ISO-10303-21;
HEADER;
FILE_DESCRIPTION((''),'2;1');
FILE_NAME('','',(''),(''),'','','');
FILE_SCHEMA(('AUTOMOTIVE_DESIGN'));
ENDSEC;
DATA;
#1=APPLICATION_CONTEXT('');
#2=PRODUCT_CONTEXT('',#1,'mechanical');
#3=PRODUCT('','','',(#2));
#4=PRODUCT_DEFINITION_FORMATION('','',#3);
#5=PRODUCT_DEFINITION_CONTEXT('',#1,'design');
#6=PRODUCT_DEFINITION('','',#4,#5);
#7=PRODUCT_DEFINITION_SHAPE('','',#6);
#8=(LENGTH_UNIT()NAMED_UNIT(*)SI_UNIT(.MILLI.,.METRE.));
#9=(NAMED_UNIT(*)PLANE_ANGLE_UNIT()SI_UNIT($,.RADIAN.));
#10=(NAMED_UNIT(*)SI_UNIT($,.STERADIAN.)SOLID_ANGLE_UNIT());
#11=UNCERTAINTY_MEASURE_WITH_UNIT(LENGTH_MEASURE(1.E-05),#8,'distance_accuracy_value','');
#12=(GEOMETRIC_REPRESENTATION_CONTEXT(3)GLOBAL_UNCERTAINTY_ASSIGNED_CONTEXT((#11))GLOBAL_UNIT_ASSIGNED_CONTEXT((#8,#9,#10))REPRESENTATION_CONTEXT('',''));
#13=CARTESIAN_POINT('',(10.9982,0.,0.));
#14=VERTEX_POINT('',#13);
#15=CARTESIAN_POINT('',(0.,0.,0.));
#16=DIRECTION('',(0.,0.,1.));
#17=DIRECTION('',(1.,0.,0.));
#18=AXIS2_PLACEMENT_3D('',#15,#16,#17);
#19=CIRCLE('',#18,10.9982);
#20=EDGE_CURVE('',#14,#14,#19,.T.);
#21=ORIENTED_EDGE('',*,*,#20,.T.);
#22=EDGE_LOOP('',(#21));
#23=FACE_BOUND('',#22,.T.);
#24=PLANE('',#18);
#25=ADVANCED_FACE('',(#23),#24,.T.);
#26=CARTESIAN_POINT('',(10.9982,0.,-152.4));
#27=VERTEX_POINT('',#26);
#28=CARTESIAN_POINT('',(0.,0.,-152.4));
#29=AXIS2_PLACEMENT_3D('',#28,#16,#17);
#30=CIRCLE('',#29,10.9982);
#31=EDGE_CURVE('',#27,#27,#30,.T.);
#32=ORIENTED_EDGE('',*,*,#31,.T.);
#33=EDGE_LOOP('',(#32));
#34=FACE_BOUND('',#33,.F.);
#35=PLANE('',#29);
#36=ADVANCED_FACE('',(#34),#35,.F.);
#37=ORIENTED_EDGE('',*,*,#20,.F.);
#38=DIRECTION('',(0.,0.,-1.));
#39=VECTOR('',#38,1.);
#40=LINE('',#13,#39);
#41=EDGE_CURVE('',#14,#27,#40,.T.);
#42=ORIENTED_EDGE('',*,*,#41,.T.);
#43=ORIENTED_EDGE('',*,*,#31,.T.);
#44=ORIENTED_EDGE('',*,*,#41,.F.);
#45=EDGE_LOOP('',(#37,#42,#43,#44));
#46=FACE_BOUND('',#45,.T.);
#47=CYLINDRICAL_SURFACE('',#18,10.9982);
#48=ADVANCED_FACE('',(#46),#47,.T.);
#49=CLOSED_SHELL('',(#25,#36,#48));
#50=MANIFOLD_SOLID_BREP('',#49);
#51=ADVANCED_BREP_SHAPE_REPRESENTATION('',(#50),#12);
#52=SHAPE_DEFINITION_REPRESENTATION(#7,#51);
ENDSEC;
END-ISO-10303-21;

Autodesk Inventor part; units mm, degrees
ref_plane "YZ Plane" through (0, 0, 0) normal (1, 0, 0) x (0, 1, 0)
ref_plane "XZ Plane" through (0, 0, 0) normal (0, 1, 0) x (-1, 0, 0)
ref_plane "XY Plane" through (0, 0, 0) normal (0, 0, 1) x (1, 0, 0)
sketch "Sketch1" plane through (0, 0, 0) normal (0, 0, 1) x (1, 0, 0)
  circle A0 centre (0, 0) radius 10.9982
  dimension "d0" = 21.9964
extrude "Extrusion1" add sketch "Sketch1" against normal blind 152.4
properties part number "big rotary shaft" material "CFRP"
